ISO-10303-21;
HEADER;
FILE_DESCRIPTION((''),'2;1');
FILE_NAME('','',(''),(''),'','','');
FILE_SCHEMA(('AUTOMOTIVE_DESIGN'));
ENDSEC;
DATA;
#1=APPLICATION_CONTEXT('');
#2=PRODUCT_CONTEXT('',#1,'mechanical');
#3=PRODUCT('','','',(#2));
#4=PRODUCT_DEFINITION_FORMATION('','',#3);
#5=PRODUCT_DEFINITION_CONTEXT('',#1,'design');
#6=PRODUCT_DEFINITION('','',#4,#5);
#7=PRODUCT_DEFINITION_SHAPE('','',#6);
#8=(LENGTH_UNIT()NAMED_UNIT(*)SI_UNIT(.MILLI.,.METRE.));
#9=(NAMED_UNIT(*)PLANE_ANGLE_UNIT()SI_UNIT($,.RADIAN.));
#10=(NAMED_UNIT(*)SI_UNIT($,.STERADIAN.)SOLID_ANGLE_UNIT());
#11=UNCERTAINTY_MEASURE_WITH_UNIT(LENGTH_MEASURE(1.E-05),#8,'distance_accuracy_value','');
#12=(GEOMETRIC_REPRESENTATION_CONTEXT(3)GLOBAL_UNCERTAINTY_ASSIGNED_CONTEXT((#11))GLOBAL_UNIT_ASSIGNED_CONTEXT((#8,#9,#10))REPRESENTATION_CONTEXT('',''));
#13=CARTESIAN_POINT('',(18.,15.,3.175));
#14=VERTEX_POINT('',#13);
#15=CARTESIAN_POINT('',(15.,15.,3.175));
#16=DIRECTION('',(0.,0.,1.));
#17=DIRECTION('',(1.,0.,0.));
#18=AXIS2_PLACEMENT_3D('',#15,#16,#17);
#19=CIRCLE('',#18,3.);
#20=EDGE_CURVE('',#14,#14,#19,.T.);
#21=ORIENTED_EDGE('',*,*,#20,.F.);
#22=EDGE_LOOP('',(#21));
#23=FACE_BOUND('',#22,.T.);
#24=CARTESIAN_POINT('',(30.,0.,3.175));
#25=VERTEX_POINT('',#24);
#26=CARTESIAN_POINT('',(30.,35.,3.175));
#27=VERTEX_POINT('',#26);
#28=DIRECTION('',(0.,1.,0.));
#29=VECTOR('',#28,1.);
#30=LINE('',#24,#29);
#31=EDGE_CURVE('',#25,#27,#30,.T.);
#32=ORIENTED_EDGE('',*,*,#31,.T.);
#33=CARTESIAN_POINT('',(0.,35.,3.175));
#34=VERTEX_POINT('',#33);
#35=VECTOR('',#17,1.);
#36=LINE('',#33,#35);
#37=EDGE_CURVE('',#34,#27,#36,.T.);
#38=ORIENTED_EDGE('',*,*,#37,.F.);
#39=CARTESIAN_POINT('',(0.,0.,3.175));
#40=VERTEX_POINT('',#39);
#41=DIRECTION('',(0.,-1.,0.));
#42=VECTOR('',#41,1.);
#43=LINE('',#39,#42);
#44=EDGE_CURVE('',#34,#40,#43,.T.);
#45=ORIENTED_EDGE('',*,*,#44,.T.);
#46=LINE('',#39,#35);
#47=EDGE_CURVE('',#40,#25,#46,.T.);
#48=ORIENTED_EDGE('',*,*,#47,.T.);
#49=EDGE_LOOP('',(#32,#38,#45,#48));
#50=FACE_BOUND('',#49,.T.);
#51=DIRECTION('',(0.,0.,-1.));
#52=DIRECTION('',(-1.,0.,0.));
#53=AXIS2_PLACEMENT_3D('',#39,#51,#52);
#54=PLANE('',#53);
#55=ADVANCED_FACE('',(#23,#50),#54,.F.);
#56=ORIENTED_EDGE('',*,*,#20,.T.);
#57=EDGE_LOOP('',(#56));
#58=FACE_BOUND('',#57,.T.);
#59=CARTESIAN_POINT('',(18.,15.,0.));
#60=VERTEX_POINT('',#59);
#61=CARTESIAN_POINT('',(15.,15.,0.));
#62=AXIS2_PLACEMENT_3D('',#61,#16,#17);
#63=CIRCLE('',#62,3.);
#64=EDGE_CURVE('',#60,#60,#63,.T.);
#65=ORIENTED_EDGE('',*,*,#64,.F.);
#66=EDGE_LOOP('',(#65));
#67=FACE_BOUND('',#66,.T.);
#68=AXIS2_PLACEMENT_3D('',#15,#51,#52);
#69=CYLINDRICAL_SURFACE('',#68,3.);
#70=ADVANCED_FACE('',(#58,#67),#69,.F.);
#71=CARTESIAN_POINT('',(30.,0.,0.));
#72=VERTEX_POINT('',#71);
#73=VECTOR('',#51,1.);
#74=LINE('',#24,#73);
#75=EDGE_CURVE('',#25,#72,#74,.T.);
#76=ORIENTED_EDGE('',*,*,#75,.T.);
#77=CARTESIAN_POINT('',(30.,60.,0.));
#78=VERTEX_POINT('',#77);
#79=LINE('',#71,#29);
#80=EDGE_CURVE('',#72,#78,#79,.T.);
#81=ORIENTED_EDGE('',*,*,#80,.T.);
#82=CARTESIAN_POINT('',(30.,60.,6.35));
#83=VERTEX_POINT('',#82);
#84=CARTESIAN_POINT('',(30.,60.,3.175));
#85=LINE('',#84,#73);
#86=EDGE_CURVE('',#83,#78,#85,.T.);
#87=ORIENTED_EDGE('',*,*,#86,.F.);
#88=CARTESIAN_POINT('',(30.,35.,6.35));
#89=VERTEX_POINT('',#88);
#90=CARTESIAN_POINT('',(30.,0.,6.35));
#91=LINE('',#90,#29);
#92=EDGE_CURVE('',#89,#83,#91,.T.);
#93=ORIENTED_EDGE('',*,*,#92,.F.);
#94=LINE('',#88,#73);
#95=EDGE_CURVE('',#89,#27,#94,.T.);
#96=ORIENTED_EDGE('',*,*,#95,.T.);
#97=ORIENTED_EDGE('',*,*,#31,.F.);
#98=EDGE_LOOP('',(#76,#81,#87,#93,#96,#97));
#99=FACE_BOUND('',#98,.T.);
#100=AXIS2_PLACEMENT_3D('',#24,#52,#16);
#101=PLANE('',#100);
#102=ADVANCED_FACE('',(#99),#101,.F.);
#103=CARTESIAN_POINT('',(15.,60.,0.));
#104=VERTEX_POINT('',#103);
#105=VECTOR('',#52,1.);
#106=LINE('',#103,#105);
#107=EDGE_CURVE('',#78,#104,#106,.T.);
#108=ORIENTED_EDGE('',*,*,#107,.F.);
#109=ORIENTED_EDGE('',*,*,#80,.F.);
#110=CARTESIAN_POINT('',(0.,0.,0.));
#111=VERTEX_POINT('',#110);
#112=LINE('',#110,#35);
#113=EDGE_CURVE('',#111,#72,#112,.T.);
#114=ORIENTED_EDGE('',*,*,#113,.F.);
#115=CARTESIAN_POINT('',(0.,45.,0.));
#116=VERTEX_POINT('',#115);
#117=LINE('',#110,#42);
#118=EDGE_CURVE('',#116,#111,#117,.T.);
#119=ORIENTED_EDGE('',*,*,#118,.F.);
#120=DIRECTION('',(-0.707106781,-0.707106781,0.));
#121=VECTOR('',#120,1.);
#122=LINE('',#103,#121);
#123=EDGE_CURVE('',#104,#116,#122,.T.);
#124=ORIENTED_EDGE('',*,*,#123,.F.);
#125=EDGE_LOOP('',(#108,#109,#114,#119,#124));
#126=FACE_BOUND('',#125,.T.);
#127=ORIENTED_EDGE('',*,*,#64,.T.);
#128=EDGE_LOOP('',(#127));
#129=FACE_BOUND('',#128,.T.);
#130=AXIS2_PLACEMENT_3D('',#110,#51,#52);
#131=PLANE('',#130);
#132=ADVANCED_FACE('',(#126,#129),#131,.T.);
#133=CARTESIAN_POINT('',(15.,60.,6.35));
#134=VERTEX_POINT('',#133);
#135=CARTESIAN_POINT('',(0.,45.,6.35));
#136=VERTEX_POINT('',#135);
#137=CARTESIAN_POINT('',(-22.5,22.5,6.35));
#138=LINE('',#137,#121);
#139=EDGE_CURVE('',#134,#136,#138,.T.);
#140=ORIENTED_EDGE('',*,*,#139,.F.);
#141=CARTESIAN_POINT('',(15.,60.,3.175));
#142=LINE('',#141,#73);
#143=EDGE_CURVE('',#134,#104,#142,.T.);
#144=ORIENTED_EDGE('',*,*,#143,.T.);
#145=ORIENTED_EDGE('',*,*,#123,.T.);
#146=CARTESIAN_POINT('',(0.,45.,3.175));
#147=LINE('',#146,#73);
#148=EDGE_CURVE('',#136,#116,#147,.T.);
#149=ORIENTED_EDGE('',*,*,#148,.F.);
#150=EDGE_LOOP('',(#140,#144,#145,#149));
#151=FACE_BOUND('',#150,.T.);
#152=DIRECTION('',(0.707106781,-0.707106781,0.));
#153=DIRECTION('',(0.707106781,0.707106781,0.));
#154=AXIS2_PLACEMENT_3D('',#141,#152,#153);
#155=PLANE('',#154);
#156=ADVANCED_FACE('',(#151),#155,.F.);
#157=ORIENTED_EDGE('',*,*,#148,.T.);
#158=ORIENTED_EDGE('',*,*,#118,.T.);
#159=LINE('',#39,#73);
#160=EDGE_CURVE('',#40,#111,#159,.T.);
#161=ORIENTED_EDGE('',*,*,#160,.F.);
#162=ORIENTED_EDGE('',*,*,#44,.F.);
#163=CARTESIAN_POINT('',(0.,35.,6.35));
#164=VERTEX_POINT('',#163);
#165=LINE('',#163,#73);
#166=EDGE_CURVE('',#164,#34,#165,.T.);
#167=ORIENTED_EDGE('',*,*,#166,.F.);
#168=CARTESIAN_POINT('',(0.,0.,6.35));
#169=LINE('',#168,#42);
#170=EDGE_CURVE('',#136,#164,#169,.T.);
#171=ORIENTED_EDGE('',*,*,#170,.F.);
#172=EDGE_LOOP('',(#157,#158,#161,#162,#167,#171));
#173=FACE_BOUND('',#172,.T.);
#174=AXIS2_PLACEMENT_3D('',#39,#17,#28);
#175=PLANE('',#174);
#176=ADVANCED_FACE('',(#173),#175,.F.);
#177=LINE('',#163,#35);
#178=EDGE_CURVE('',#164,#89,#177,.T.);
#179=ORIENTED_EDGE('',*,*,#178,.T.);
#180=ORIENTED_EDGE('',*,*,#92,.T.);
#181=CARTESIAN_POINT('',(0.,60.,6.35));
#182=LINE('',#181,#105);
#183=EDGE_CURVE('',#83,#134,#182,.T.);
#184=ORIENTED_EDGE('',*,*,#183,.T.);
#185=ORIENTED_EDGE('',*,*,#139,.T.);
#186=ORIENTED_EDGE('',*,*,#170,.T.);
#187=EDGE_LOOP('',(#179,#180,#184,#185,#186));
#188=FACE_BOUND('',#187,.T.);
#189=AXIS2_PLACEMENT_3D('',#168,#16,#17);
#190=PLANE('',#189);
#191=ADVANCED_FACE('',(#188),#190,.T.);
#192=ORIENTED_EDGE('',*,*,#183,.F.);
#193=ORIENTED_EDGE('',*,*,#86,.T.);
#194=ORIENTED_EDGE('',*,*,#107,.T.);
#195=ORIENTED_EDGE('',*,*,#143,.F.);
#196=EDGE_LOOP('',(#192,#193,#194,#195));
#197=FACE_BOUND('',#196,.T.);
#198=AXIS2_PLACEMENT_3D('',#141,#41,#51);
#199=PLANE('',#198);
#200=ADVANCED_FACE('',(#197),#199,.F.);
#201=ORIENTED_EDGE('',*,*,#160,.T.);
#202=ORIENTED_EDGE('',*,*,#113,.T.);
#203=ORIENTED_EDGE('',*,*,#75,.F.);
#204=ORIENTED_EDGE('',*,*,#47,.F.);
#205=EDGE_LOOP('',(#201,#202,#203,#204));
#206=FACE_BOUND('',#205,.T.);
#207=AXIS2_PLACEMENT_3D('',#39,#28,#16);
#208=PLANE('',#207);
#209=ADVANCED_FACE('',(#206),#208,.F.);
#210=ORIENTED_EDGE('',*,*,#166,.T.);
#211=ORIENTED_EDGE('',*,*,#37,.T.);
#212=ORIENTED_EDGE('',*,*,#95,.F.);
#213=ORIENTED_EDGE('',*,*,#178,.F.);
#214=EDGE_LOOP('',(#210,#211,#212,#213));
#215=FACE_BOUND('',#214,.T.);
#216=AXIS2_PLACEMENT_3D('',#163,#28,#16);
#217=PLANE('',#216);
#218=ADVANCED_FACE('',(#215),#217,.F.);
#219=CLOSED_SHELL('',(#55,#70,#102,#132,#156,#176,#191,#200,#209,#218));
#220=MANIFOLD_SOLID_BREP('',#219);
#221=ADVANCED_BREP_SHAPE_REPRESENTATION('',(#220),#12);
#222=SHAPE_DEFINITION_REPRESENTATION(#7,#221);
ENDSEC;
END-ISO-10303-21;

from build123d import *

# Parameters (mm, degrees)
SKETCH1_R           = 3
BOSS_EXTRUDE1_DEPTH = 3.175
BOSS_EXTRUDE2_DEPTH = 3.175


with BuildPart() as part:
    # Sketch1 → Boss-Extrude1 (new body)
    with BuildSketch(Plane.XY):
        Polygon((15, 60), (0, 45), (0, 0), (30, 0), (30, 60), align=None)
        with Locations((15, 15)):
            Circle(SKETCH1_R, mode=Mode.SUBTRACT)
    extrude(amount=BOSS_EXTRUDE1_DEPTH)

    # Sketch2 → Boss-Extrude2 (add)
    with BuildSketch(Plane.XY.offset(3.175)):
        Polygon((15, 60), (0, 45), (0, 35), (30, 35), (30, 45), (30, 60), align=None)
    extrude(amount=BOSS_EXTRUDE2_DEPTH)


solid = part.part
